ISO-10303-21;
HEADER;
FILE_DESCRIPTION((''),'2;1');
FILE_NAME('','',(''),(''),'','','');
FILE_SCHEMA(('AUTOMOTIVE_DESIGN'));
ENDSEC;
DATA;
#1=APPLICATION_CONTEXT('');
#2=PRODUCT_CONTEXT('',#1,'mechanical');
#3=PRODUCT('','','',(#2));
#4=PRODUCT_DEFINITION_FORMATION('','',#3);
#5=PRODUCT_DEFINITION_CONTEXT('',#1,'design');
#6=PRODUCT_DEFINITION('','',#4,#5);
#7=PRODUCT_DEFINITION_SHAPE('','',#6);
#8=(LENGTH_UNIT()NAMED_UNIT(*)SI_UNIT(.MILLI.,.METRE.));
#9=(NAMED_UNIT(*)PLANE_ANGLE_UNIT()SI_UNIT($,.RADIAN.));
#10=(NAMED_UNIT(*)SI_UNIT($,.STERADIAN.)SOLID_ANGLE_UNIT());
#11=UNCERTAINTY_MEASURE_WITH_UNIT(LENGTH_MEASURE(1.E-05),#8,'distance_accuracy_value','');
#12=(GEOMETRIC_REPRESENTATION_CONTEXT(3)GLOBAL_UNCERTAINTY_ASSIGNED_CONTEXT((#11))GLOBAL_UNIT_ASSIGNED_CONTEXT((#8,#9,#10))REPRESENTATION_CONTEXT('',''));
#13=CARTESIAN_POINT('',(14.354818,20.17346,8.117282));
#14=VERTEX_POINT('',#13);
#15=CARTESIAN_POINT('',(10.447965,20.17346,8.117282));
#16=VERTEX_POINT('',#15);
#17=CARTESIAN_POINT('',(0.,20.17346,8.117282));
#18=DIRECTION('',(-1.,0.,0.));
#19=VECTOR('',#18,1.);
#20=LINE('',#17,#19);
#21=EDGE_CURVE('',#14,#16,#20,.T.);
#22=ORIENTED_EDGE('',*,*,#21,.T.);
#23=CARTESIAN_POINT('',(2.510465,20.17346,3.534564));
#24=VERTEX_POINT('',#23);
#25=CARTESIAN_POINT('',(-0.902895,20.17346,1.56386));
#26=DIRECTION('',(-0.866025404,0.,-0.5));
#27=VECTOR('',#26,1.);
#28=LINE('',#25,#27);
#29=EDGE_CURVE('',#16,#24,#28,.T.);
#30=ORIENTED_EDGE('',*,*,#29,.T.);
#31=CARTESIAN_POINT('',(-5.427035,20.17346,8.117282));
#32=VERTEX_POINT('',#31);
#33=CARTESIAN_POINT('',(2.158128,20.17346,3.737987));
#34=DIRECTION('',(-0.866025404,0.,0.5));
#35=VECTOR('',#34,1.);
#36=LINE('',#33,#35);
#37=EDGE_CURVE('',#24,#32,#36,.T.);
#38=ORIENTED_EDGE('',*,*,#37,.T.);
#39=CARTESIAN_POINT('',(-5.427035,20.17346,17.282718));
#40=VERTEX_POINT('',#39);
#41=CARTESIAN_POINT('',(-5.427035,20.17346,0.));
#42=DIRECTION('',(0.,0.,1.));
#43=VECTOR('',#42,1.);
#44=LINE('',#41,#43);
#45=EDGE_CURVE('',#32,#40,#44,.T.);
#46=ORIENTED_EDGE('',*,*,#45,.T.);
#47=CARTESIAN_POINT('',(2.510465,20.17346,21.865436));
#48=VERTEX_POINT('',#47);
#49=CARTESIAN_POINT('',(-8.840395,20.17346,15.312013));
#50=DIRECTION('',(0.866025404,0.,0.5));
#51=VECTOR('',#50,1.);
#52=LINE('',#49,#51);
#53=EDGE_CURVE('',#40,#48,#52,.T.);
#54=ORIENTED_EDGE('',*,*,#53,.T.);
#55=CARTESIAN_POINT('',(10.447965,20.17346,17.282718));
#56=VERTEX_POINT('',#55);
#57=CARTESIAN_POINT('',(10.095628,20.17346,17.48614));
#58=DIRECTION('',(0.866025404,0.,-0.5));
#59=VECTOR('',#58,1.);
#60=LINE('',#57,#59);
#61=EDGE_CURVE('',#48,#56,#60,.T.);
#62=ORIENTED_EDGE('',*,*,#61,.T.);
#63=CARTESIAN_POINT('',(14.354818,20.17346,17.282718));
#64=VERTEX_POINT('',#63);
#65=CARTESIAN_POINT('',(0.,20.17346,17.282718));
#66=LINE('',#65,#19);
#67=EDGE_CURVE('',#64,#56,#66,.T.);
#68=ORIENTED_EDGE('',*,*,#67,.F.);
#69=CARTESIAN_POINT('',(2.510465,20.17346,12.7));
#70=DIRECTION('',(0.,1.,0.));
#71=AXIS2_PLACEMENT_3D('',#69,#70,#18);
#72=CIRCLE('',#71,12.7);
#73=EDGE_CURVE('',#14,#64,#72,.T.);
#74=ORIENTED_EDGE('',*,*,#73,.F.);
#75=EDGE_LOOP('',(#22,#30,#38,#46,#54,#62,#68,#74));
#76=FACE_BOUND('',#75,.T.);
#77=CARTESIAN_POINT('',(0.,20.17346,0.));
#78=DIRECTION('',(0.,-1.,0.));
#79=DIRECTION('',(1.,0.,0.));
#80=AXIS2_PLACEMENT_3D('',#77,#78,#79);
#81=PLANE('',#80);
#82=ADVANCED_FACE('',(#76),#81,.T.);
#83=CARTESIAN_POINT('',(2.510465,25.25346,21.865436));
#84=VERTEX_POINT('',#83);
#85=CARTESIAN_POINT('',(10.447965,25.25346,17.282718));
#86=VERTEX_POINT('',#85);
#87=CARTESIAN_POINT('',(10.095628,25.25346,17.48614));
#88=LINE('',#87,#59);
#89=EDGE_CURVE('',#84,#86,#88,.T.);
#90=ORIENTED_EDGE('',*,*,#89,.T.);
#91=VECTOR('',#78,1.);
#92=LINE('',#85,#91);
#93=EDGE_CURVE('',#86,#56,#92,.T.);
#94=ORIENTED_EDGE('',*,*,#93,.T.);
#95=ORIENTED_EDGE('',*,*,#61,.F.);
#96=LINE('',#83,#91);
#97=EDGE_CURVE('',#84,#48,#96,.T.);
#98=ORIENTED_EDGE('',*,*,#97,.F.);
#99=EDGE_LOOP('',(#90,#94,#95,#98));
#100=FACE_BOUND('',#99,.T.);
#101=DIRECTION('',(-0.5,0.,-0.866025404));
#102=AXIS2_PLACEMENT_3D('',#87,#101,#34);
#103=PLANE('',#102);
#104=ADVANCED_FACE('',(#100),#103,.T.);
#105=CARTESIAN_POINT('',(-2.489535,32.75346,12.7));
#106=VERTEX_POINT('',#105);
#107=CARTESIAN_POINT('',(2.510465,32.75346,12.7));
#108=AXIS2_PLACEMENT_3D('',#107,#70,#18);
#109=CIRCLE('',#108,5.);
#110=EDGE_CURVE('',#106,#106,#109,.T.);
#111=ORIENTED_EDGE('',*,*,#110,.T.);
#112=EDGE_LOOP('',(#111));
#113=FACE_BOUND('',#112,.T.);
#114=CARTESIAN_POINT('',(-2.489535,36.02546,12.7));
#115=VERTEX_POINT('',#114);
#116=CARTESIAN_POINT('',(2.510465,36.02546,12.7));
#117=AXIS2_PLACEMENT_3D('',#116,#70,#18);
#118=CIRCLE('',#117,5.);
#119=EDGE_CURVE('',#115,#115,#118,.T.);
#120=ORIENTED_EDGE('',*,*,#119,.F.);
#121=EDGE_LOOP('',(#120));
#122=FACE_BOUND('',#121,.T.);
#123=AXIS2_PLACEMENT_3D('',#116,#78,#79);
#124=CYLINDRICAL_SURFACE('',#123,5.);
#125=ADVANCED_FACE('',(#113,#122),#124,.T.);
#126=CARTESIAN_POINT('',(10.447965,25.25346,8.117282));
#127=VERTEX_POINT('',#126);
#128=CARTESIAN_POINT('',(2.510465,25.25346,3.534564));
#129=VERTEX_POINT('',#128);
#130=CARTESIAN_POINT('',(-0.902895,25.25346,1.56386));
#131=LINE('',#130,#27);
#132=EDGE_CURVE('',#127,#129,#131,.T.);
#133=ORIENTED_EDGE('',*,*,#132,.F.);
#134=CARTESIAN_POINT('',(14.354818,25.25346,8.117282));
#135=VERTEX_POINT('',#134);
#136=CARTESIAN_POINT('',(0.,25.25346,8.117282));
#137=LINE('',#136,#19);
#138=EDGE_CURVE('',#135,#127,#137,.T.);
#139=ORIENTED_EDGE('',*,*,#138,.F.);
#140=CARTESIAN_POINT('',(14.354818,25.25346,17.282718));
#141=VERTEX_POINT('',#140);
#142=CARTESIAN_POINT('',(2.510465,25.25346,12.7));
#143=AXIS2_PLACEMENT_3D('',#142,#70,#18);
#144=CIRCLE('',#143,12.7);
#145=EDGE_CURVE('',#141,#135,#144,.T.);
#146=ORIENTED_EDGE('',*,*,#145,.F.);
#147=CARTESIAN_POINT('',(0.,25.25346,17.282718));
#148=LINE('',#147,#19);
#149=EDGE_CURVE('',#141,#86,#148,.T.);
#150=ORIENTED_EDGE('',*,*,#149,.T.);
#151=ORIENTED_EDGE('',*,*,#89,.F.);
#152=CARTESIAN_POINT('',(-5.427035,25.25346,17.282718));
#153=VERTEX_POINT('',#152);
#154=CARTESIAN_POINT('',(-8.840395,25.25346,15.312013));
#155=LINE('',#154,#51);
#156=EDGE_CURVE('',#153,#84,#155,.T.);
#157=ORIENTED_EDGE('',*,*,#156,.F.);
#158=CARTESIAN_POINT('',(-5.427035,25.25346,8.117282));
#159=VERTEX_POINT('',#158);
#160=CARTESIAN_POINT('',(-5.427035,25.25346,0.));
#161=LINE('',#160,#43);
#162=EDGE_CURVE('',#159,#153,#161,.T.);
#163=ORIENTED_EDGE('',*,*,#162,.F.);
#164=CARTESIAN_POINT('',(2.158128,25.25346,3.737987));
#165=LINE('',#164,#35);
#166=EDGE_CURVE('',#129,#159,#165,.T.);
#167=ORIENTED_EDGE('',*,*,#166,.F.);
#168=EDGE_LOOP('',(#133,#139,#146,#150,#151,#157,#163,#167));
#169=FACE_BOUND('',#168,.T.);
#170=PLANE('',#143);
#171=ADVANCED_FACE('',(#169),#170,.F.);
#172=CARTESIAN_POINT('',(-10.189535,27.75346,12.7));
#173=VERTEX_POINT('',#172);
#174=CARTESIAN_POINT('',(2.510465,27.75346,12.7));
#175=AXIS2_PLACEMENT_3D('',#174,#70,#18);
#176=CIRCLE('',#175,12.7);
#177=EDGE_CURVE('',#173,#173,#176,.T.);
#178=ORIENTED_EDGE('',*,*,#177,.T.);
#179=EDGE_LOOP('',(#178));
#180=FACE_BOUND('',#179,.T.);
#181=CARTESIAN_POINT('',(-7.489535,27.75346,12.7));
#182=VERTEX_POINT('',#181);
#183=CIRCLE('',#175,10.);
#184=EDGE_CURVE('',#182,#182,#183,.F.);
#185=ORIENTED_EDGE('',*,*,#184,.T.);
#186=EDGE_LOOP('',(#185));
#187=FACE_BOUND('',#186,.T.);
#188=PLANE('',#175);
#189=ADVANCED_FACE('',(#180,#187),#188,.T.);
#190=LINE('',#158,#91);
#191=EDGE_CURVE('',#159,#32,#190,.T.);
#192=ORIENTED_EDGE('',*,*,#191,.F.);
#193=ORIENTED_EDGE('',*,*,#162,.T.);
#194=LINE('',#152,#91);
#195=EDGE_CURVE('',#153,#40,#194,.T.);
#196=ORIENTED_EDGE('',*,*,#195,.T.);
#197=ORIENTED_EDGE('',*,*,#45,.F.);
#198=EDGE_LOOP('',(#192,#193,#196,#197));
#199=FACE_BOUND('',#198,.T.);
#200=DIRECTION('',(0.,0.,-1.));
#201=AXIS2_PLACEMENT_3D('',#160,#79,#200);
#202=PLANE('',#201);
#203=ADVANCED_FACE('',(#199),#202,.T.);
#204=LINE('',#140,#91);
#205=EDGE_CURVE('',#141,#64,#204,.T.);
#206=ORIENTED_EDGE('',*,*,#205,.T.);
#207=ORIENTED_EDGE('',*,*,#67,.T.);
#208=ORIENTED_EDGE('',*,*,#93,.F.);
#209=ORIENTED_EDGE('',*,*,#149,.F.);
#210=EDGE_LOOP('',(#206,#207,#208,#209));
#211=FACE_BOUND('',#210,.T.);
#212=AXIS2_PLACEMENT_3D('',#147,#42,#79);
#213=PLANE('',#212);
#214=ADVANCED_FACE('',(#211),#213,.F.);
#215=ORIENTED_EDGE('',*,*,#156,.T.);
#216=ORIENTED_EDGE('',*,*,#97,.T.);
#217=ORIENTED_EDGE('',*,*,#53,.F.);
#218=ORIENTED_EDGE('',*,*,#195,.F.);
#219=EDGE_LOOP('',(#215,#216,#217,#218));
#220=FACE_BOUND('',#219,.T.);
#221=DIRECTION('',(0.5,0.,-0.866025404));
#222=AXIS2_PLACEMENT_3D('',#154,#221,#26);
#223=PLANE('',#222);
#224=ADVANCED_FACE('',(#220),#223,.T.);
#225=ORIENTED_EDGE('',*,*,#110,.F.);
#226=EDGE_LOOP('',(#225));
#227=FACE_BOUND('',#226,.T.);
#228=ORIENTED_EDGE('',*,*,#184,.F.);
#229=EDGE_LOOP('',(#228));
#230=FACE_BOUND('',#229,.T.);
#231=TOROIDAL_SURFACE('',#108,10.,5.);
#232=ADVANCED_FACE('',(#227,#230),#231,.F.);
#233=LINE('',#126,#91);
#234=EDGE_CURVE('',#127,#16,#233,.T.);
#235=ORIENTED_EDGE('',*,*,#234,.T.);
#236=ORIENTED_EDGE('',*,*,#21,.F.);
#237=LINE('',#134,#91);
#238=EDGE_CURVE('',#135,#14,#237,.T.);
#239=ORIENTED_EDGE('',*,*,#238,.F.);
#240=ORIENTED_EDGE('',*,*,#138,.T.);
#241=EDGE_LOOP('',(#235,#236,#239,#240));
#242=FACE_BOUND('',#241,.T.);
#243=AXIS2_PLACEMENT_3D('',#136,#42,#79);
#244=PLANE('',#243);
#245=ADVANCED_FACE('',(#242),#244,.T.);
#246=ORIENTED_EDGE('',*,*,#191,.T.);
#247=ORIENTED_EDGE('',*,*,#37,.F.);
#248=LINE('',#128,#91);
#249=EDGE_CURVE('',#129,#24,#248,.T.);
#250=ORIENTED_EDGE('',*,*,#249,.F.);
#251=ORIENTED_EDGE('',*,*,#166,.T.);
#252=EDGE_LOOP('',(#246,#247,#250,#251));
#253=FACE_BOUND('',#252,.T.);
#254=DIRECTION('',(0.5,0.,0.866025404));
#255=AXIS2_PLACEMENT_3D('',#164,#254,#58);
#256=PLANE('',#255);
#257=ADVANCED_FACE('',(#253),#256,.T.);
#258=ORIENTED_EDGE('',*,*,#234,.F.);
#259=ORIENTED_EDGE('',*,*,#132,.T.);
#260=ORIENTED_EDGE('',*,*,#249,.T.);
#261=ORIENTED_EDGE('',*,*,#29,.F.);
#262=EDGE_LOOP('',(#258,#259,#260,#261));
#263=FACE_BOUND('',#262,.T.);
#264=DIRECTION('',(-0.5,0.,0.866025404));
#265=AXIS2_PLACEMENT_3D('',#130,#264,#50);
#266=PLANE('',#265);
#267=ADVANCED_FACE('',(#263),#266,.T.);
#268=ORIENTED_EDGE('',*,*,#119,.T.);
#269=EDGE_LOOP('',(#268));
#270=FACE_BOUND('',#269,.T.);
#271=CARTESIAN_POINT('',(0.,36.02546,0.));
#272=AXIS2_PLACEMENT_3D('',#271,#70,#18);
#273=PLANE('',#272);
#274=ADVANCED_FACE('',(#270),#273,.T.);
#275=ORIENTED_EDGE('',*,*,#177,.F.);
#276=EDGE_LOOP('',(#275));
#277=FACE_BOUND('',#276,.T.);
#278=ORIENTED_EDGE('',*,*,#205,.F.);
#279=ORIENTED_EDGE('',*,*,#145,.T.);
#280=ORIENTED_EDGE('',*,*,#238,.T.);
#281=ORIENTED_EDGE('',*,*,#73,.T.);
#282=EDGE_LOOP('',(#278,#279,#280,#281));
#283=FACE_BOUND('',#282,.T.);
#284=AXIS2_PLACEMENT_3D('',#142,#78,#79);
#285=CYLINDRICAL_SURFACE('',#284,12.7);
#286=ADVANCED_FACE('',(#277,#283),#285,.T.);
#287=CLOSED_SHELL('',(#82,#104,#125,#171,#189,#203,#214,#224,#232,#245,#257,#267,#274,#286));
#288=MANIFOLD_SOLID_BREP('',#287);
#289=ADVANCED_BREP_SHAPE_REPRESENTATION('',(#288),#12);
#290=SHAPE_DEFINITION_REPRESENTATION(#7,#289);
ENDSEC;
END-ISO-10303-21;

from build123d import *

# Parameters (mm, degrees)
BOSS_EXTRUDE1_DEPTH = 25.4
BOSS_EXTRUDE3_DEPTH = 5.08
SKETCH4_W           = 37.4
SKETCH4_H           = 25.4
CUT_EXTRUDE1_DEPTH  = 25.4
SKETCH5_R           = 12.7
BOSS_EXTRUDE4_DEPTH = 2.5
SKETCH6_R           = 5
BOSS_EXTRUDE5_DEPTH = 8.272
FILLET1_R           = 5


with BuildPart() as part:
    # Sketch1 → Boss-Extrude1 (new body)
    with BuildSketch(Plane.XY):
        Polygon((-10.189534884, 0), (-10.189534884, 9), (15.210465116, 9), (15.210465116, 0), (21.210465116, 0), (21.210465116, 20.17346), (-16.189534884, 20.17346), (-16.189534884, 0), align=None)
    extrude(amount=BOSS_EXTRUDE1_DEPTH)

    # Sketch3 → Boss-Extrude3 (add)
    with BuildSketch(Plane(origin=(0, 20.17346, 0), x_dir=(1, 0, 0), z_dir=(0, 1, 0))):
        with BuildLine():
            Line((14.354818113, -17.282717762), (10.447965116, -17.282717762))
            Line((10.447965116, -17.282717762), (2.510465116, -21.865435523))
            Line((2.510465116, -21.865435523), (-5.427034884, -17.282717762))
            Line((-5.427034884, -17.282717762), (-5.427034884, -8.117282238))
            Line((-5.427034884, -8.117282238), (2.510465116, -3.534564477))
            Line((2.510465116, -3.534564477), (10.447965116, -8.117282238))
            Line((10.447965116, -8.117282238), (14.354818113, -8.117282238))
            ThreePointArc((14.354818113, -8.117282238), (-10.189534884, -12.7), (14.354818113, -17.282717762))
        make_face()
    extrude(amount=BOSS_EXTRUDE3_DEPTH)

    # Sketch4 → Cut-Extrude1 (cut)
    with BuildSketch(Plane(origin=(0, 20.17346, 0), x_dir=(1, 0, 0), z_dir=(0, 1, 0))):
        with Locations((2.510465116, -12.7)):
            Rectangle(SKETCH4_W, SKETCH4_H)
    extrude(amount=-CUT_EXTRUDE1_DEPTH, mode=Mode.SUBTRACT)

    # Sketch5 → Boss-Extrude4 (add)
    with BuildSketch(Plane(origin=(0, 25.25346, 0), x_dir=(1, 0, 0), z_dir=(0, 1, 0))):
        with Locations((2.510465116, -12.7)):
            Circle(SKETCH5_R)
    extrude(amount=BOSS_EXTRUDE4_DEPTH)

    # Sketch6 → Boss-Extrude5 (add)
    with BuildSketch(Plane(origin=(0, 27.75346, 0), x_dir=(1, 0, 0), z_dir=(0, 1, 0))):
        with Locations((2.510465116, -12.7)):
            Circle(SKETCH6_R)
    extrude(amount=BOSS_EXTRUDE5_DEPTH)

    # Fillet1
    fillet1_edges = [part.edges().sort_by_distance(p)[0] for p in [
        (-2.489534884, 27.75346, 12.7),
    ]]
    fillet(fillet1_edges, radius=FILLET1_R)


solid = part.part
